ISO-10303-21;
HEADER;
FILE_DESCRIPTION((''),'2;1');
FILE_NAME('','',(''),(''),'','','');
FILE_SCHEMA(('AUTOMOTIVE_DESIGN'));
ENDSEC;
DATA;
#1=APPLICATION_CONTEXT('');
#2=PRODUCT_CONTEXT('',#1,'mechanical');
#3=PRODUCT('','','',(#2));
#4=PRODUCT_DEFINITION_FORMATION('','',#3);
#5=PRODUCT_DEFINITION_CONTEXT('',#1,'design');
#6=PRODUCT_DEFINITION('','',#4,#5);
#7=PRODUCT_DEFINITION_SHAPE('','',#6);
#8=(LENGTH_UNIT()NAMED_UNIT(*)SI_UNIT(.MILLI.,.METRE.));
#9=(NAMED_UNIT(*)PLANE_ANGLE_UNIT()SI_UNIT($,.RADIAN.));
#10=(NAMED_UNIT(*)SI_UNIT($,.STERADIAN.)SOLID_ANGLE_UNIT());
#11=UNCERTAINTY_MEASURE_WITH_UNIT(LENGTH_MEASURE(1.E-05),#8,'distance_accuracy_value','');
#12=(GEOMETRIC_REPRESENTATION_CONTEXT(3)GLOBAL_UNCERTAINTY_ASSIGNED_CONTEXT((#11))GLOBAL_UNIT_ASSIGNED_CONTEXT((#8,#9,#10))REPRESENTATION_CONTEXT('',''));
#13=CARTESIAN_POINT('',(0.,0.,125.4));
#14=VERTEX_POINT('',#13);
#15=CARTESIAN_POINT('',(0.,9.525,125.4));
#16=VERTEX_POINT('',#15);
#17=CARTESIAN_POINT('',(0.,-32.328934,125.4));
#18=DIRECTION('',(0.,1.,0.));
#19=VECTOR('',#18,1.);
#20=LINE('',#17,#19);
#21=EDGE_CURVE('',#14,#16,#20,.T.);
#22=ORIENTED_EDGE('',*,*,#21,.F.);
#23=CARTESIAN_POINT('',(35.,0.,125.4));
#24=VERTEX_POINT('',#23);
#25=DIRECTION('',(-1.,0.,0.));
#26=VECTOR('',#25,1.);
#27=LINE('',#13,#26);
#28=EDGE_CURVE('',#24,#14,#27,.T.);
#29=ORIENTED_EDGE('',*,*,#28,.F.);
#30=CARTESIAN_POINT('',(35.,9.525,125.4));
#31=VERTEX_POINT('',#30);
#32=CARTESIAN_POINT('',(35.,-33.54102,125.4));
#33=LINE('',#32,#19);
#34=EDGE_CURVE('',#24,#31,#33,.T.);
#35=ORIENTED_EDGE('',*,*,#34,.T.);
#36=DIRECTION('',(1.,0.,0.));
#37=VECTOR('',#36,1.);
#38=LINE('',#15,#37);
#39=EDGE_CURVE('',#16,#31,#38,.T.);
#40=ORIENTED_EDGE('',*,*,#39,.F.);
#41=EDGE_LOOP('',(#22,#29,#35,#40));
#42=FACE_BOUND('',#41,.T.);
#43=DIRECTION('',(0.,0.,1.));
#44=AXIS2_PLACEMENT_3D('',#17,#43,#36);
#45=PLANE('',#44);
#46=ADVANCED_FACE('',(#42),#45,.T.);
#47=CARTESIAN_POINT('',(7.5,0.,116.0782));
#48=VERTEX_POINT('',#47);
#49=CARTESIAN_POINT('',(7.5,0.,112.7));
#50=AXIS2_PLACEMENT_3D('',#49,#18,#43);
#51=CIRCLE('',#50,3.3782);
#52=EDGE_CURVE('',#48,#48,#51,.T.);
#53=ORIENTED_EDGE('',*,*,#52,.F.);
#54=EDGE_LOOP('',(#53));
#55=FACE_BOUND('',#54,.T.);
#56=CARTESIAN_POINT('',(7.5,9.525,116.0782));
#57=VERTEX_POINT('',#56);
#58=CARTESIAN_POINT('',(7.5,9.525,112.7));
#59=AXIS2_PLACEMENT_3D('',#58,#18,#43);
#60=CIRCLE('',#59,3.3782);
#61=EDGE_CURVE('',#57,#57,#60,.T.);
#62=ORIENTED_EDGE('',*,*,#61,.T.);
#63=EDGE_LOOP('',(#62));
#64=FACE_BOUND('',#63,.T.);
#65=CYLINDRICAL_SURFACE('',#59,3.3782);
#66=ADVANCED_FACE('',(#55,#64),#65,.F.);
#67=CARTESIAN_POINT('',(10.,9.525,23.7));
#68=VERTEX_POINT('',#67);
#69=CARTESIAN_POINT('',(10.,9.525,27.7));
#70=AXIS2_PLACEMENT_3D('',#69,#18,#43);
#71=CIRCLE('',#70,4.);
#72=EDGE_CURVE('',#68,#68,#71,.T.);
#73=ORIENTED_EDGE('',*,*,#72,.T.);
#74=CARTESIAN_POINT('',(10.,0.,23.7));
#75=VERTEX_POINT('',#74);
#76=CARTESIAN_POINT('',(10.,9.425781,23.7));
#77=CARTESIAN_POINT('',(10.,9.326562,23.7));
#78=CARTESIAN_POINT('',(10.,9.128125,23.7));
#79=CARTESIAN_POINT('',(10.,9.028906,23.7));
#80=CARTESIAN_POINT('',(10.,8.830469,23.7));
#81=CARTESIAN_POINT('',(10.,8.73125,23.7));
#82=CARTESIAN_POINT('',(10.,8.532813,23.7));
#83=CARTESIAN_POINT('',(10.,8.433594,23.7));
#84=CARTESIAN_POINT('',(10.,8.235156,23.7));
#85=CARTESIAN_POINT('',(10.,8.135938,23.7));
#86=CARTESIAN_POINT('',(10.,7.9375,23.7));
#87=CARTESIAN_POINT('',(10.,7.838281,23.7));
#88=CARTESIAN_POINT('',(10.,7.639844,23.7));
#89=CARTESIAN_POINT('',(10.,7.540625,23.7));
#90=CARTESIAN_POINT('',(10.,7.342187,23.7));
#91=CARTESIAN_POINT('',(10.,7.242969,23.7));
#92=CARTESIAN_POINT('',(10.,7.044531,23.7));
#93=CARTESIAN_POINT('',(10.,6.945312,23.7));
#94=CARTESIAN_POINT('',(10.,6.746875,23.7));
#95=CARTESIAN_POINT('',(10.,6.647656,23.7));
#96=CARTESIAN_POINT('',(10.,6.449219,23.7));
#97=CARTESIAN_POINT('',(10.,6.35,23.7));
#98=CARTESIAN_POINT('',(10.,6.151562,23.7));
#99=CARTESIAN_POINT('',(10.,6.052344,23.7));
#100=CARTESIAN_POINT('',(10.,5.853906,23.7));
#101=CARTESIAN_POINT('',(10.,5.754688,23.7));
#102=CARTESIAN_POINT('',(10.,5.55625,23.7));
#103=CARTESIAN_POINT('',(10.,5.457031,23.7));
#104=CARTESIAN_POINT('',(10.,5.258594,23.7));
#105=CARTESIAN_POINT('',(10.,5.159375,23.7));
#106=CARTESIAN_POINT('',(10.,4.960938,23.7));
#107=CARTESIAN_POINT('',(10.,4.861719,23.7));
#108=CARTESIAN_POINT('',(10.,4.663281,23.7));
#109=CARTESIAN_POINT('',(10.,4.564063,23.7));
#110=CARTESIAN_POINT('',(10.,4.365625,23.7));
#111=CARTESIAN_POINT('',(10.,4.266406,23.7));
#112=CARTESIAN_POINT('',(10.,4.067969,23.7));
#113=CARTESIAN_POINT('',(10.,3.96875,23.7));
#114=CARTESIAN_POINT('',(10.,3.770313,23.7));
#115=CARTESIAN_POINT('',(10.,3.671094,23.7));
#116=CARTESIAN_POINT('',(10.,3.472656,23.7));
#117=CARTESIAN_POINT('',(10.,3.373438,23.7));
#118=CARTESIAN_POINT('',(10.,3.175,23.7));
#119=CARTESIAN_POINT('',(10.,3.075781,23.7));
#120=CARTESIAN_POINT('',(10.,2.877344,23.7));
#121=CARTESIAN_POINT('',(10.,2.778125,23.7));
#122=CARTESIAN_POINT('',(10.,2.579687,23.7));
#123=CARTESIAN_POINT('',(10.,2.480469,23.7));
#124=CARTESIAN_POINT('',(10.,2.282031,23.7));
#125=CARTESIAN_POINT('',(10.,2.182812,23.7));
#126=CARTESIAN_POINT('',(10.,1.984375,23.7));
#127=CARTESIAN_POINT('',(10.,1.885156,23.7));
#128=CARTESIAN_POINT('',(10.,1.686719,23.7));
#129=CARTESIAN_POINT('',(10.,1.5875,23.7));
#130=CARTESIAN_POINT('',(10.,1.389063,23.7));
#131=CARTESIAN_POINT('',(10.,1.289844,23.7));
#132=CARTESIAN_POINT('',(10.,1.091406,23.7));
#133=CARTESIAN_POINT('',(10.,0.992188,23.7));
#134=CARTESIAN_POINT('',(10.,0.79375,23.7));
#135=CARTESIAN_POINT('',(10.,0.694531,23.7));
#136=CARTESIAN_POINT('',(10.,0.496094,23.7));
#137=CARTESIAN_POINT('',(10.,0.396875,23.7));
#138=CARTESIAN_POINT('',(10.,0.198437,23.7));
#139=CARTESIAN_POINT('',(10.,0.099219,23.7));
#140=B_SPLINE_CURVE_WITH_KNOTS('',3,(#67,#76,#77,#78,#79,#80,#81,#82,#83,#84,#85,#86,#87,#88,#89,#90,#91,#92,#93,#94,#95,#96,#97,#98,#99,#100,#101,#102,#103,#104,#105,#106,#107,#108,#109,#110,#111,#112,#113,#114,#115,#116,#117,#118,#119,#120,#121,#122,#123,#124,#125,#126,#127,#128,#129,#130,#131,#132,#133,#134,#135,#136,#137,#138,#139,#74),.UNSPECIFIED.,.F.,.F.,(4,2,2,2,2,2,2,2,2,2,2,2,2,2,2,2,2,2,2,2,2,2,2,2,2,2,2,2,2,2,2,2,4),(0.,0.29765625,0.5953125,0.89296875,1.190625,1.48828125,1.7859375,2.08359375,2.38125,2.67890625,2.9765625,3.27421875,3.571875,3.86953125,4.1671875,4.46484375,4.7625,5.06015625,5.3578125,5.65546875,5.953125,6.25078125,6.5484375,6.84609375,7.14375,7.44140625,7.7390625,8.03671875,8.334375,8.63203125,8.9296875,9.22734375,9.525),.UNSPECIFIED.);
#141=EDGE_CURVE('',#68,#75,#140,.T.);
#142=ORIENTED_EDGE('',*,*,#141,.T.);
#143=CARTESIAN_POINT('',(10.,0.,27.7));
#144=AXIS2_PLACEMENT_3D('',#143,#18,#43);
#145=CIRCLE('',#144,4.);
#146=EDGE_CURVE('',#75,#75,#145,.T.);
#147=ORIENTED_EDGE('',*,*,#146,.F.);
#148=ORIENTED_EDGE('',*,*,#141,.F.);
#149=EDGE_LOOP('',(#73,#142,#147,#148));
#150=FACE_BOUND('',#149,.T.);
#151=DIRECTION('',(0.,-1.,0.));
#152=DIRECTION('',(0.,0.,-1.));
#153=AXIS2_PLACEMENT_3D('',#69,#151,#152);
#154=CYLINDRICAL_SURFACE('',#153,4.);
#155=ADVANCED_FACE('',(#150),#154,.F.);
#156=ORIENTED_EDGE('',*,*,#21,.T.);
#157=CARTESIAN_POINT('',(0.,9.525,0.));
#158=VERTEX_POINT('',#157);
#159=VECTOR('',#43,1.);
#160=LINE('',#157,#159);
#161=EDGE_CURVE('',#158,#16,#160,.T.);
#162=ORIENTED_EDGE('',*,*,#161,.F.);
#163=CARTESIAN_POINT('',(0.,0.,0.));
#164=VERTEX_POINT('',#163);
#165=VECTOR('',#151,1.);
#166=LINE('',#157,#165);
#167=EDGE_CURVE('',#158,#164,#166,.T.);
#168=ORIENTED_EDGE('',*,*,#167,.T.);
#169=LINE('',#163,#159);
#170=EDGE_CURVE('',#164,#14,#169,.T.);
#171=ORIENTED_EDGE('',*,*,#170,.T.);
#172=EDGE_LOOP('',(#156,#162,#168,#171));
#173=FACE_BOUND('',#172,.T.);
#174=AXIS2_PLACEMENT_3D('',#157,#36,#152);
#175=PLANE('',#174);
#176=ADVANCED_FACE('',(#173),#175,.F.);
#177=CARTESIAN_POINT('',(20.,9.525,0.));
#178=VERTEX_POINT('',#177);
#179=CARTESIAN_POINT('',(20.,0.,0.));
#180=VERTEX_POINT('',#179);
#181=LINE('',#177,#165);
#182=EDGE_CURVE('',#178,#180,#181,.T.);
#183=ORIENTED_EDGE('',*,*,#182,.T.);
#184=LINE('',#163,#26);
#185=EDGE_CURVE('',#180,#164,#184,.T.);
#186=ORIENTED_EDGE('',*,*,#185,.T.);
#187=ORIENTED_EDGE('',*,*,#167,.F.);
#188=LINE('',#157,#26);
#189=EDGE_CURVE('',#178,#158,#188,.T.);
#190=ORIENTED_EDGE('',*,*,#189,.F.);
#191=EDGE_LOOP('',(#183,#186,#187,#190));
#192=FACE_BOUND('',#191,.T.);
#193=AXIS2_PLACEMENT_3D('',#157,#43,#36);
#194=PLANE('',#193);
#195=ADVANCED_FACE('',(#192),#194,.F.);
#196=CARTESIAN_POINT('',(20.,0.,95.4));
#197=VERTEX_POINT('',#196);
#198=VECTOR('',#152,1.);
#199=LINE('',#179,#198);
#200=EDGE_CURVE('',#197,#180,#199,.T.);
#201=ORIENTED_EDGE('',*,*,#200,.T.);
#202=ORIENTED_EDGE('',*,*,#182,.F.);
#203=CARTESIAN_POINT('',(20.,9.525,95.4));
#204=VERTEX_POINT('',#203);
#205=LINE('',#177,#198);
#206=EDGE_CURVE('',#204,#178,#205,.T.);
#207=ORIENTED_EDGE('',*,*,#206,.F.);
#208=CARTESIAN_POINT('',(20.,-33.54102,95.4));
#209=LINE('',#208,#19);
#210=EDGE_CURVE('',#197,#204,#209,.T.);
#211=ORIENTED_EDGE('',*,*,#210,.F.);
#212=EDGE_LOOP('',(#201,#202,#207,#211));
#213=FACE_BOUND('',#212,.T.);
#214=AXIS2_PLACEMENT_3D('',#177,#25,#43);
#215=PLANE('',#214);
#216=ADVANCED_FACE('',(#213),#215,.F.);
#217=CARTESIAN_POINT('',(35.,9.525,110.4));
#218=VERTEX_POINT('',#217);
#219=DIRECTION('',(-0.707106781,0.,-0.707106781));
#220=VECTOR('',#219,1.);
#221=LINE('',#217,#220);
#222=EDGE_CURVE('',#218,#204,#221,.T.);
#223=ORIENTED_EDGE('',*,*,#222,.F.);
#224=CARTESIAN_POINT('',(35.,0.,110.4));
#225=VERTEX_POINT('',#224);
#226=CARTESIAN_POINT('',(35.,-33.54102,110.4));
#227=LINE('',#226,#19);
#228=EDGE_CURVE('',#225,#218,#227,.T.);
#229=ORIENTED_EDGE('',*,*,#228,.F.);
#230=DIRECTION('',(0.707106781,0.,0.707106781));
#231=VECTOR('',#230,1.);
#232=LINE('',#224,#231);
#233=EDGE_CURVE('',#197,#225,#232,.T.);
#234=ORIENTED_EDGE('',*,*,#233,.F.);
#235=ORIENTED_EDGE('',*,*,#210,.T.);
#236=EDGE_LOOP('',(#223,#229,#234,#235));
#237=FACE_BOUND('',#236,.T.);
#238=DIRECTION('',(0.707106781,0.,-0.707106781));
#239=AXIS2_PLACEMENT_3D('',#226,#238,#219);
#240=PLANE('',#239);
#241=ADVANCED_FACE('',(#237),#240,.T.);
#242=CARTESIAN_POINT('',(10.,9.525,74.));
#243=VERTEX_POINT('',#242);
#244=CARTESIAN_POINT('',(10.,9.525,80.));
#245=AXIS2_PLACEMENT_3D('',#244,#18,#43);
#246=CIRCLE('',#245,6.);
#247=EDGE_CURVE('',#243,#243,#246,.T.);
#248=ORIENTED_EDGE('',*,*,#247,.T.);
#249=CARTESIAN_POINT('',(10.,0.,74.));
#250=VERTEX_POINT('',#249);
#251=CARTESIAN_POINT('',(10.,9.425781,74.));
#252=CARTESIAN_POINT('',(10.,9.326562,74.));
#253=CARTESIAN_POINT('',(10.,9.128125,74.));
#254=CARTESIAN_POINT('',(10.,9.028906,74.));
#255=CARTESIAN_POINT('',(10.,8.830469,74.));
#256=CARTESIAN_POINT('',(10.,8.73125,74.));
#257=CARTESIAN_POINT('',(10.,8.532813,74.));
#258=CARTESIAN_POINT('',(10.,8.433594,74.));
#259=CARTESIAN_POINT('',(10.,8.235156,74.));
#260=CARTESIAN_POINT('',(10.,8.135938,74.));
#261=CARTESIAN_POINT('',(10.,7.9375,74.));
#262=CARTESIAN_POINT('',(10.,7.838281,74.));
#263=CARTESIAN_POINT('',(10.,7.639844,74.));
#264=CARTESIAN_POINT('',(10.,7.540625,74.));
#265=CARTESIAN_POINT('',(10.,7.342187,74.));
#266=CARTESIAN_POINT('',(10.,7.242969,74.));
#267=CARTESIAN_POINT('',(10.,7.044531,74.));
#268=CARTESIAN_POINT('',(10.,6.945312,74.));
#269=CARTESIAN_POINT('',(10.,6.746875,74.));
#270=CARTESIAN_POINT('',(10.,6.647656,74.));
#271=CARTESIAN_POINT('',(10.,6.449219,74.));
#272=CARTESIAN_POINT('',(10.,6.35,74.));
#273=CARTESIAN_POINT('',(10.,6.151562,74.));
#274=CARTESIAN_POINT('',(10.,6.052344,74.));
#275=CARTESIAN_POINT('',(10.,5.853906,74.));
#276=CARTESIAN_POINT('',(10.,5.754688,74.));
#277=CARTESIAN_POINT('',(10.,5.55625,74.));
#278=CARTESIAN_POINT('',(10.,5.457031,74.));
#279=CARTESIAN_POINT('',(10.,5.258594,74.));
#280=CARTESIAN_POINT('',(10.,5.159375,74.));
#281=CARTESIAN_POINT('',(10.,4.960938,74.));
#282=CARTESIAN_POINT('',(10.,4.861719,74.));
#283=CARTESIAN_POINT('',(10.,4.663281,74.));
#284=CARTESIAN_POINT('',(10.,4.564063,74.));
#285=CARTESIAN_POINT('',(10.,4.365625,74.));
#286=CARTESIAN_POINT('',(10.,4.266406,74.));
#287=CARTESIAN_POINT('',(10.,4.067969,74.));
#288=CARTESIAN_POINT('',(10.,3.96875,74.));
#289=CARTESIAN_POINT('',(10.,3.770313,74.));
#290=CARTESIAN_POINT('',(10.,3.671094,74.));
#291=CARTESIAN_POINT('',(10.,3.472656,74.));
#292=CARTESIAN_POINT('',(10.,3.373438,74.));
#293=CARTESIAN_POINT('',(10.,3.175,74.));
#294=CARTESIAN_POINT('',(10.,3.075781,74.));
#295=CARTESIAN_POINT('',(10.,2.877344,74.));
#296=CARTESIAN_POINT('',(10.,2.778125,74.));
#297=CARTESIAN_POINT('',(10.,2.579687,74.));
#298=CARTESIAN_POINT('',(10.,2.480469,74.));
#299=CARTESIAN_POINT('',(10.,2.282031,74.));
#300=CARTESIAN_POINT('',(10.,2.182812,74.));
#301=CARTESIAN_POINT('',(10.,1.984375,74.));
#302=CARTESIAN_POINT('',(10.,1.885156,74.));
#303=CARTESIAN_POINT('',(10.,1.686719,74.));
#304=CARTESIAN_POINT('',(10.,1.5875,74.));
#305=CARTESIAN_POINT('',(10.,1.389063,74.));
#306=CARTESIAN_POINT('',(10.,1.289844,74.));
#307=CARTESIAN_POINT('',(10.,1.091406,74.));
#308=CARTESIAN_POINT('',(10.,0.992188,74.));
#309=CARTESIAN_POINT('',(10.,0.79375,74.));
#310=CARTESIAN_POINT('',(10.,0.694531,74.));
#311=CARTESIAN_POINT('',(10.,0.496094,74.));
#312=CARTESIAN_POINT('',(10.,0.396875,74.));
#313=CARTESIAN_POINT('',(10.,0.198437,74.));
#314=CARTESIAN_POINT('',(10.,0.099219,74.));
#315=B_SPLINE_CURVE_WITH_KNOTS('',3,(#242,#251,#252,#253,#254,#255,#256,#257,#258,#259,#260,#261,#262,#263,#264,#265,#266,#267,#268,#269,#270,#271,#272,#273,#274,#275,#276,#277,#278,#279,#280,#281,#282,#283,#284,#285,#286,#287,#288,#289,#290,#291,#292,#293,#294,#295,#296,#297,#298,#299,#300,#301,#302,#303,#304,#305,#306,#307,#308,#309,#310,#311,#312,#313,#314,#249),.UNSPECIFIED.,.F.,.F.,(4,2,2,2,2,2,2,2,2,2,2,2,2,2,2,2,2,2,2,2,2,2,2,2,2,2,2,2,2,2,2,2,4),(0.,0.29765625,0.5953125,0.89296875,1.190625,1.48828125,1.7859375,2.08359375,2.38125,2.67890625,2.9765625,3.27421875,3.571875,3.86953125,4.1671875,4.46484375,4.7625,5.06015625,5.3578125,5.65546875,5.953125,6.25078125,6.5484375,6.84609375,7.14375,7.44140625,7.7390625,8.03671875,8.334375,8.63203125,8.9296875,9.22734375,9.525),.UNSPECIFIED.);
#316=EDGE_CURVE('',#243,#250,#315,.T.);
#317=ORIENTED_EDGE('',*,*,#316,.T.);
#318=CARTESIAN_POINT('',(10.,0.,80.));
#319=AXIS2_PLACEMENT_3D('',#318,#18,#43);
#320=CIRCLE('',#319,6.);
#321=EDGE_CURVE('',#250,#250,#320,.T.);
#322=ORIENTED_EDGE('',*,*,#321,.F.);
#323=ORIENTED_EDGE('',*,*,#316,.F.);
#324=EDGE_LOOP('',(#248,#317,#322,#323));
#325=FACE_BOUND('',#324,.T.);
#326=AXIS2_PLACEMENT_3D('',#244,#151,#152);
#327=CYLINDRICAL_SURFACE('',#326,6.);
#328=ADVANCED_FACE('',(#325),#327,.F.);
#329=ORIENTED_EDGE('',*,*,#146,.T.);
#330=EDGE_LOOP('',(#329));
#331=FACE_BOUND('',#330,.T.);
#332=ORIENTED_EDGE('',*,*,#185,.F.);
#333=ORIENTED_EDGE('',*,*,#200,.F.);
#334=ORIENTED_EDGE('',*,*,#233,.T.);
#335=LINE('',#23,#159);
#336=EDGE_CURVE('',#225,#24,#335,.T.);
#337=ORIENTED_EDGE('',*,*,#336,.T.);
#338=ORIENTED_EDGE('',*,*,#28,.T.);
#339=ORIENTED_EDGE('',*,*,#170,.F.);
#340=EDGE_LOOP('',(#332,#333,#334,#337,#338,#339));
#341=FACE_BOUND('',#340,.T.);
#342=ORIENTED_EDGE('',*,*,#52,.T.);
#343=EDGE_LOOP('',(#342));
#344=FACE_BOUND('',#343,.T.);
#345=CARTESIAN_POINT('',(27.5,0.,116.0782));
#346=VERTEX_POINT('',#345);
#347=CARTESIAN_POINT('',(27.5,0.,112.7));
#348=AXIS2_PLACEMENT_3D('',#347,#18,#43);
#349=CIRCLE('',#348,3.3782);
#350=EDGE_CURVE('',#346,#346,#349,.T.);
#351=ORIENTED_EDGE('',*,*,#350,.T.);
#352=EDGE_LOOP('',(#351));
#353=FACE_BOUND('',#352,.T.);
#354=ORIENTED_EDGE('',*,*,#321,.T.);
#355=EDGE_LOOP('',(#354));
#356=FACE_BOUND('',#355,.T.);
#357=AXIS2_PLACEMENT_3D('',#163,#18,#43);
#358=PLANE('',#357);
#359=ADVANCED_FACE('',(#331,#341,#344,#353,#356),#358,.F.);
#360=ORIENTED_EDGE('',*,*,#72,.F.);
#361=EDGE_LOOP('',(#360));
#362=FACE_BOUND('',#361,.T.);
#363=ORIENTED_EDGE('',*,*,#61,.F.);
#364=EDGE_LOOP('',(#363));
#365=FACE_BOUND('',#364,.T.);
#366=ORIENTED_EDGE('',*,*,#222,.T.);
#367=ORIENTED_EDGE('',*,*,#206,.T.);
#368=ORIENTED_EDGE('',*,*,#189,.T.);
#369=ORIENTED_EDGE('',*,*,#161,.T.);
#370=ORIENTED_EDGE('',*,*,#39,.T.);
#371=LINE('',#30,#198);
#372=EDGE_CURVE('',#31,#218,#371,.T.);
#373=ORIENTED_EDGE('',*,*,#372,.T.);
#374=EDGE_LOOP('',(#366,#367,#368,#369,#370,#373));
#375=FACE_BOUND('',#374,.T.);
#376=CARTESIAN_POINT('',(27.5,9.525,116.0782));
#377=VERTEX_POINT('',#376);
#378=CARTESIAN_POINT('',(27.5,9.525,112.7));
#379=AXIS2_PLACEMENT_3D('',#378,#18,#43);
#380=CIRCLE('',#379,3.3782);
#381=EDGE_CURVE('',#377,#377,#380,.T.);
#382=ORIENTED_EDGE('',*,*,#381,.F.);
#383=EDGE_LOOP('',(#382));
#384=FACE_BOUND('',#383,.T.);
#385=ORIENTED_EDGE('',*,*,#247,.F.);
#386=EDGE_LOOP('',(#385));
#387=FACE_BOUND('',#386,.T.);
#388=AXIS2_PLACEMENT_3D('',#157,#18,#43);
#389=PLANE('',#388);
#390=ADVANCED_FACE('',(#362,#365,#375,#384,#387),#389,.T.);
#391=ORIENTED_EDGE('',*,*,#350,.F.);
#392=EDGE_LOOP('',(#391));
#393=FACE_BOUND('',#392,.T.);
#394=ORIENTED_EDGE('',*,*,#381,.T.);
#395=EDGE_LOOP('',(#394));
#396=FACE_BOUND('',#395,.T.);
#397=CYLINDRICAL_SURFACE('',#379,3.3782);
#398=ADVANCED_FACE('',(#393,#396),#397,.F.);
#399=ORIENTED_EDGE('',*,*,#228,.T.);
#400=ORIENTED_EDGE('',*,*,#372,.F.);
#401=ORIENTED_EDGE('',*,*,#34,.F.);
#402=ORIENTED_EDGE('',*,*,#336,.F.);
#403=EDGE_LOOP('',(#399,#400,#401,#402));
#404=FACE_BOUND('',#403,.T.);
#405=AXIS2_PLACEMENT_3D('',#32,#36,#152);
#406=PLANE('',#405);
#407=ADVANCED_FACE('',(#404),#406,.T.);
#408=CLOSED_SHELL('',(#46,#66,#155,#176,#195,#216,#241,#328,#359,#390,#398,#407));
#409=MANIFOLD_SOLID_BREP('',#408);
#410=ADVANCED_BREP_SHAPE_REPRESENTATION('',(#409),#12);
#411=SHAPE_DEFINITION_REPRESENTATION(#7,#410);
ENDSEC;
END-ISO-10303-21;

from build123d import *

# Parameters (mm, degrees)
SKETCH2_W               = 20
SKETCH2_H               = 100
SKETCH2_R               = 6
SKETCH2_R_2             = 4
BOSS_EXTRUDE1_DEPTH     = 9.525
SKETCH4_W               = 20
SKETCH4_H               = 25.4
BOSS_EXTRUDE2_DEPTH     = 9.525
BOSS_EXTRUDE3_DEPTH     = 9.525
F_1_4_CLEARANCE_HOLE2_D = 6.7564


with BuildPart() as part:
    # Sketch2 → Boss-Extrude1 (new body)
    with BuildSketch(Plane(origin=(0, 0, 0), x_dir=(1, 0, 0), z_dir=(0, 1, 0))):
        with Locations((10, -50)):
            Rectangle(SKETCH2_W, SKETCH2_H)
        with Locations(Location((10, -80, 0), (0, 0, 90))):
            Circle(SKETCH2_R, mode=Mode.SUBTRACT)
        with Locations(Location((10, -27.7, 0), (0, 0, 90))):
            Circle(SKETCH2_R_2, mode=Mode.SUBTRACT)
    extrude(amount=BOSS_EXTRUDE1_DEPTH)

    # Sketch4 → Boss-Extrude2 (add)
    with BuildSketch(Plane(origin=(0, 9.525, 0), x_dir=(1, 0, 0), z_dir=(0, 1, 0))):
        with Locations((10, -112.7)):
            Rectangle(SKETCH4_W, SKETCH4_H)
    extrude(amount=-BOSS_EXTRUDE2_DEPTH)

    # Sketch8 → Boss-Extrude3 (add)
    with BuildSketch(Plane(origin=(0, 9.525, 0), x_dir=(1, 0, 0), z_dir=(0, 1, 0))):
        Polygon((20, -125.4), (35, -125.4), (35, -110.4), (20, -95.4), align=None)
    extrude(amount=-BOSS_EXTRUDE3_DEPTH)

    # 1/4 Clearance Hole2 (through all)
    with Locations(Plane(origin=(0, 9.525, 0), x_dir=(1, 0, 0), z_dir=(0, 1, 0))):
        with Locations((7.5, -112.7), (27.5, -112.7)):
            Hole(F_1_4_CLEARANCE_HOLE2_D / 2)


solid = part.part
